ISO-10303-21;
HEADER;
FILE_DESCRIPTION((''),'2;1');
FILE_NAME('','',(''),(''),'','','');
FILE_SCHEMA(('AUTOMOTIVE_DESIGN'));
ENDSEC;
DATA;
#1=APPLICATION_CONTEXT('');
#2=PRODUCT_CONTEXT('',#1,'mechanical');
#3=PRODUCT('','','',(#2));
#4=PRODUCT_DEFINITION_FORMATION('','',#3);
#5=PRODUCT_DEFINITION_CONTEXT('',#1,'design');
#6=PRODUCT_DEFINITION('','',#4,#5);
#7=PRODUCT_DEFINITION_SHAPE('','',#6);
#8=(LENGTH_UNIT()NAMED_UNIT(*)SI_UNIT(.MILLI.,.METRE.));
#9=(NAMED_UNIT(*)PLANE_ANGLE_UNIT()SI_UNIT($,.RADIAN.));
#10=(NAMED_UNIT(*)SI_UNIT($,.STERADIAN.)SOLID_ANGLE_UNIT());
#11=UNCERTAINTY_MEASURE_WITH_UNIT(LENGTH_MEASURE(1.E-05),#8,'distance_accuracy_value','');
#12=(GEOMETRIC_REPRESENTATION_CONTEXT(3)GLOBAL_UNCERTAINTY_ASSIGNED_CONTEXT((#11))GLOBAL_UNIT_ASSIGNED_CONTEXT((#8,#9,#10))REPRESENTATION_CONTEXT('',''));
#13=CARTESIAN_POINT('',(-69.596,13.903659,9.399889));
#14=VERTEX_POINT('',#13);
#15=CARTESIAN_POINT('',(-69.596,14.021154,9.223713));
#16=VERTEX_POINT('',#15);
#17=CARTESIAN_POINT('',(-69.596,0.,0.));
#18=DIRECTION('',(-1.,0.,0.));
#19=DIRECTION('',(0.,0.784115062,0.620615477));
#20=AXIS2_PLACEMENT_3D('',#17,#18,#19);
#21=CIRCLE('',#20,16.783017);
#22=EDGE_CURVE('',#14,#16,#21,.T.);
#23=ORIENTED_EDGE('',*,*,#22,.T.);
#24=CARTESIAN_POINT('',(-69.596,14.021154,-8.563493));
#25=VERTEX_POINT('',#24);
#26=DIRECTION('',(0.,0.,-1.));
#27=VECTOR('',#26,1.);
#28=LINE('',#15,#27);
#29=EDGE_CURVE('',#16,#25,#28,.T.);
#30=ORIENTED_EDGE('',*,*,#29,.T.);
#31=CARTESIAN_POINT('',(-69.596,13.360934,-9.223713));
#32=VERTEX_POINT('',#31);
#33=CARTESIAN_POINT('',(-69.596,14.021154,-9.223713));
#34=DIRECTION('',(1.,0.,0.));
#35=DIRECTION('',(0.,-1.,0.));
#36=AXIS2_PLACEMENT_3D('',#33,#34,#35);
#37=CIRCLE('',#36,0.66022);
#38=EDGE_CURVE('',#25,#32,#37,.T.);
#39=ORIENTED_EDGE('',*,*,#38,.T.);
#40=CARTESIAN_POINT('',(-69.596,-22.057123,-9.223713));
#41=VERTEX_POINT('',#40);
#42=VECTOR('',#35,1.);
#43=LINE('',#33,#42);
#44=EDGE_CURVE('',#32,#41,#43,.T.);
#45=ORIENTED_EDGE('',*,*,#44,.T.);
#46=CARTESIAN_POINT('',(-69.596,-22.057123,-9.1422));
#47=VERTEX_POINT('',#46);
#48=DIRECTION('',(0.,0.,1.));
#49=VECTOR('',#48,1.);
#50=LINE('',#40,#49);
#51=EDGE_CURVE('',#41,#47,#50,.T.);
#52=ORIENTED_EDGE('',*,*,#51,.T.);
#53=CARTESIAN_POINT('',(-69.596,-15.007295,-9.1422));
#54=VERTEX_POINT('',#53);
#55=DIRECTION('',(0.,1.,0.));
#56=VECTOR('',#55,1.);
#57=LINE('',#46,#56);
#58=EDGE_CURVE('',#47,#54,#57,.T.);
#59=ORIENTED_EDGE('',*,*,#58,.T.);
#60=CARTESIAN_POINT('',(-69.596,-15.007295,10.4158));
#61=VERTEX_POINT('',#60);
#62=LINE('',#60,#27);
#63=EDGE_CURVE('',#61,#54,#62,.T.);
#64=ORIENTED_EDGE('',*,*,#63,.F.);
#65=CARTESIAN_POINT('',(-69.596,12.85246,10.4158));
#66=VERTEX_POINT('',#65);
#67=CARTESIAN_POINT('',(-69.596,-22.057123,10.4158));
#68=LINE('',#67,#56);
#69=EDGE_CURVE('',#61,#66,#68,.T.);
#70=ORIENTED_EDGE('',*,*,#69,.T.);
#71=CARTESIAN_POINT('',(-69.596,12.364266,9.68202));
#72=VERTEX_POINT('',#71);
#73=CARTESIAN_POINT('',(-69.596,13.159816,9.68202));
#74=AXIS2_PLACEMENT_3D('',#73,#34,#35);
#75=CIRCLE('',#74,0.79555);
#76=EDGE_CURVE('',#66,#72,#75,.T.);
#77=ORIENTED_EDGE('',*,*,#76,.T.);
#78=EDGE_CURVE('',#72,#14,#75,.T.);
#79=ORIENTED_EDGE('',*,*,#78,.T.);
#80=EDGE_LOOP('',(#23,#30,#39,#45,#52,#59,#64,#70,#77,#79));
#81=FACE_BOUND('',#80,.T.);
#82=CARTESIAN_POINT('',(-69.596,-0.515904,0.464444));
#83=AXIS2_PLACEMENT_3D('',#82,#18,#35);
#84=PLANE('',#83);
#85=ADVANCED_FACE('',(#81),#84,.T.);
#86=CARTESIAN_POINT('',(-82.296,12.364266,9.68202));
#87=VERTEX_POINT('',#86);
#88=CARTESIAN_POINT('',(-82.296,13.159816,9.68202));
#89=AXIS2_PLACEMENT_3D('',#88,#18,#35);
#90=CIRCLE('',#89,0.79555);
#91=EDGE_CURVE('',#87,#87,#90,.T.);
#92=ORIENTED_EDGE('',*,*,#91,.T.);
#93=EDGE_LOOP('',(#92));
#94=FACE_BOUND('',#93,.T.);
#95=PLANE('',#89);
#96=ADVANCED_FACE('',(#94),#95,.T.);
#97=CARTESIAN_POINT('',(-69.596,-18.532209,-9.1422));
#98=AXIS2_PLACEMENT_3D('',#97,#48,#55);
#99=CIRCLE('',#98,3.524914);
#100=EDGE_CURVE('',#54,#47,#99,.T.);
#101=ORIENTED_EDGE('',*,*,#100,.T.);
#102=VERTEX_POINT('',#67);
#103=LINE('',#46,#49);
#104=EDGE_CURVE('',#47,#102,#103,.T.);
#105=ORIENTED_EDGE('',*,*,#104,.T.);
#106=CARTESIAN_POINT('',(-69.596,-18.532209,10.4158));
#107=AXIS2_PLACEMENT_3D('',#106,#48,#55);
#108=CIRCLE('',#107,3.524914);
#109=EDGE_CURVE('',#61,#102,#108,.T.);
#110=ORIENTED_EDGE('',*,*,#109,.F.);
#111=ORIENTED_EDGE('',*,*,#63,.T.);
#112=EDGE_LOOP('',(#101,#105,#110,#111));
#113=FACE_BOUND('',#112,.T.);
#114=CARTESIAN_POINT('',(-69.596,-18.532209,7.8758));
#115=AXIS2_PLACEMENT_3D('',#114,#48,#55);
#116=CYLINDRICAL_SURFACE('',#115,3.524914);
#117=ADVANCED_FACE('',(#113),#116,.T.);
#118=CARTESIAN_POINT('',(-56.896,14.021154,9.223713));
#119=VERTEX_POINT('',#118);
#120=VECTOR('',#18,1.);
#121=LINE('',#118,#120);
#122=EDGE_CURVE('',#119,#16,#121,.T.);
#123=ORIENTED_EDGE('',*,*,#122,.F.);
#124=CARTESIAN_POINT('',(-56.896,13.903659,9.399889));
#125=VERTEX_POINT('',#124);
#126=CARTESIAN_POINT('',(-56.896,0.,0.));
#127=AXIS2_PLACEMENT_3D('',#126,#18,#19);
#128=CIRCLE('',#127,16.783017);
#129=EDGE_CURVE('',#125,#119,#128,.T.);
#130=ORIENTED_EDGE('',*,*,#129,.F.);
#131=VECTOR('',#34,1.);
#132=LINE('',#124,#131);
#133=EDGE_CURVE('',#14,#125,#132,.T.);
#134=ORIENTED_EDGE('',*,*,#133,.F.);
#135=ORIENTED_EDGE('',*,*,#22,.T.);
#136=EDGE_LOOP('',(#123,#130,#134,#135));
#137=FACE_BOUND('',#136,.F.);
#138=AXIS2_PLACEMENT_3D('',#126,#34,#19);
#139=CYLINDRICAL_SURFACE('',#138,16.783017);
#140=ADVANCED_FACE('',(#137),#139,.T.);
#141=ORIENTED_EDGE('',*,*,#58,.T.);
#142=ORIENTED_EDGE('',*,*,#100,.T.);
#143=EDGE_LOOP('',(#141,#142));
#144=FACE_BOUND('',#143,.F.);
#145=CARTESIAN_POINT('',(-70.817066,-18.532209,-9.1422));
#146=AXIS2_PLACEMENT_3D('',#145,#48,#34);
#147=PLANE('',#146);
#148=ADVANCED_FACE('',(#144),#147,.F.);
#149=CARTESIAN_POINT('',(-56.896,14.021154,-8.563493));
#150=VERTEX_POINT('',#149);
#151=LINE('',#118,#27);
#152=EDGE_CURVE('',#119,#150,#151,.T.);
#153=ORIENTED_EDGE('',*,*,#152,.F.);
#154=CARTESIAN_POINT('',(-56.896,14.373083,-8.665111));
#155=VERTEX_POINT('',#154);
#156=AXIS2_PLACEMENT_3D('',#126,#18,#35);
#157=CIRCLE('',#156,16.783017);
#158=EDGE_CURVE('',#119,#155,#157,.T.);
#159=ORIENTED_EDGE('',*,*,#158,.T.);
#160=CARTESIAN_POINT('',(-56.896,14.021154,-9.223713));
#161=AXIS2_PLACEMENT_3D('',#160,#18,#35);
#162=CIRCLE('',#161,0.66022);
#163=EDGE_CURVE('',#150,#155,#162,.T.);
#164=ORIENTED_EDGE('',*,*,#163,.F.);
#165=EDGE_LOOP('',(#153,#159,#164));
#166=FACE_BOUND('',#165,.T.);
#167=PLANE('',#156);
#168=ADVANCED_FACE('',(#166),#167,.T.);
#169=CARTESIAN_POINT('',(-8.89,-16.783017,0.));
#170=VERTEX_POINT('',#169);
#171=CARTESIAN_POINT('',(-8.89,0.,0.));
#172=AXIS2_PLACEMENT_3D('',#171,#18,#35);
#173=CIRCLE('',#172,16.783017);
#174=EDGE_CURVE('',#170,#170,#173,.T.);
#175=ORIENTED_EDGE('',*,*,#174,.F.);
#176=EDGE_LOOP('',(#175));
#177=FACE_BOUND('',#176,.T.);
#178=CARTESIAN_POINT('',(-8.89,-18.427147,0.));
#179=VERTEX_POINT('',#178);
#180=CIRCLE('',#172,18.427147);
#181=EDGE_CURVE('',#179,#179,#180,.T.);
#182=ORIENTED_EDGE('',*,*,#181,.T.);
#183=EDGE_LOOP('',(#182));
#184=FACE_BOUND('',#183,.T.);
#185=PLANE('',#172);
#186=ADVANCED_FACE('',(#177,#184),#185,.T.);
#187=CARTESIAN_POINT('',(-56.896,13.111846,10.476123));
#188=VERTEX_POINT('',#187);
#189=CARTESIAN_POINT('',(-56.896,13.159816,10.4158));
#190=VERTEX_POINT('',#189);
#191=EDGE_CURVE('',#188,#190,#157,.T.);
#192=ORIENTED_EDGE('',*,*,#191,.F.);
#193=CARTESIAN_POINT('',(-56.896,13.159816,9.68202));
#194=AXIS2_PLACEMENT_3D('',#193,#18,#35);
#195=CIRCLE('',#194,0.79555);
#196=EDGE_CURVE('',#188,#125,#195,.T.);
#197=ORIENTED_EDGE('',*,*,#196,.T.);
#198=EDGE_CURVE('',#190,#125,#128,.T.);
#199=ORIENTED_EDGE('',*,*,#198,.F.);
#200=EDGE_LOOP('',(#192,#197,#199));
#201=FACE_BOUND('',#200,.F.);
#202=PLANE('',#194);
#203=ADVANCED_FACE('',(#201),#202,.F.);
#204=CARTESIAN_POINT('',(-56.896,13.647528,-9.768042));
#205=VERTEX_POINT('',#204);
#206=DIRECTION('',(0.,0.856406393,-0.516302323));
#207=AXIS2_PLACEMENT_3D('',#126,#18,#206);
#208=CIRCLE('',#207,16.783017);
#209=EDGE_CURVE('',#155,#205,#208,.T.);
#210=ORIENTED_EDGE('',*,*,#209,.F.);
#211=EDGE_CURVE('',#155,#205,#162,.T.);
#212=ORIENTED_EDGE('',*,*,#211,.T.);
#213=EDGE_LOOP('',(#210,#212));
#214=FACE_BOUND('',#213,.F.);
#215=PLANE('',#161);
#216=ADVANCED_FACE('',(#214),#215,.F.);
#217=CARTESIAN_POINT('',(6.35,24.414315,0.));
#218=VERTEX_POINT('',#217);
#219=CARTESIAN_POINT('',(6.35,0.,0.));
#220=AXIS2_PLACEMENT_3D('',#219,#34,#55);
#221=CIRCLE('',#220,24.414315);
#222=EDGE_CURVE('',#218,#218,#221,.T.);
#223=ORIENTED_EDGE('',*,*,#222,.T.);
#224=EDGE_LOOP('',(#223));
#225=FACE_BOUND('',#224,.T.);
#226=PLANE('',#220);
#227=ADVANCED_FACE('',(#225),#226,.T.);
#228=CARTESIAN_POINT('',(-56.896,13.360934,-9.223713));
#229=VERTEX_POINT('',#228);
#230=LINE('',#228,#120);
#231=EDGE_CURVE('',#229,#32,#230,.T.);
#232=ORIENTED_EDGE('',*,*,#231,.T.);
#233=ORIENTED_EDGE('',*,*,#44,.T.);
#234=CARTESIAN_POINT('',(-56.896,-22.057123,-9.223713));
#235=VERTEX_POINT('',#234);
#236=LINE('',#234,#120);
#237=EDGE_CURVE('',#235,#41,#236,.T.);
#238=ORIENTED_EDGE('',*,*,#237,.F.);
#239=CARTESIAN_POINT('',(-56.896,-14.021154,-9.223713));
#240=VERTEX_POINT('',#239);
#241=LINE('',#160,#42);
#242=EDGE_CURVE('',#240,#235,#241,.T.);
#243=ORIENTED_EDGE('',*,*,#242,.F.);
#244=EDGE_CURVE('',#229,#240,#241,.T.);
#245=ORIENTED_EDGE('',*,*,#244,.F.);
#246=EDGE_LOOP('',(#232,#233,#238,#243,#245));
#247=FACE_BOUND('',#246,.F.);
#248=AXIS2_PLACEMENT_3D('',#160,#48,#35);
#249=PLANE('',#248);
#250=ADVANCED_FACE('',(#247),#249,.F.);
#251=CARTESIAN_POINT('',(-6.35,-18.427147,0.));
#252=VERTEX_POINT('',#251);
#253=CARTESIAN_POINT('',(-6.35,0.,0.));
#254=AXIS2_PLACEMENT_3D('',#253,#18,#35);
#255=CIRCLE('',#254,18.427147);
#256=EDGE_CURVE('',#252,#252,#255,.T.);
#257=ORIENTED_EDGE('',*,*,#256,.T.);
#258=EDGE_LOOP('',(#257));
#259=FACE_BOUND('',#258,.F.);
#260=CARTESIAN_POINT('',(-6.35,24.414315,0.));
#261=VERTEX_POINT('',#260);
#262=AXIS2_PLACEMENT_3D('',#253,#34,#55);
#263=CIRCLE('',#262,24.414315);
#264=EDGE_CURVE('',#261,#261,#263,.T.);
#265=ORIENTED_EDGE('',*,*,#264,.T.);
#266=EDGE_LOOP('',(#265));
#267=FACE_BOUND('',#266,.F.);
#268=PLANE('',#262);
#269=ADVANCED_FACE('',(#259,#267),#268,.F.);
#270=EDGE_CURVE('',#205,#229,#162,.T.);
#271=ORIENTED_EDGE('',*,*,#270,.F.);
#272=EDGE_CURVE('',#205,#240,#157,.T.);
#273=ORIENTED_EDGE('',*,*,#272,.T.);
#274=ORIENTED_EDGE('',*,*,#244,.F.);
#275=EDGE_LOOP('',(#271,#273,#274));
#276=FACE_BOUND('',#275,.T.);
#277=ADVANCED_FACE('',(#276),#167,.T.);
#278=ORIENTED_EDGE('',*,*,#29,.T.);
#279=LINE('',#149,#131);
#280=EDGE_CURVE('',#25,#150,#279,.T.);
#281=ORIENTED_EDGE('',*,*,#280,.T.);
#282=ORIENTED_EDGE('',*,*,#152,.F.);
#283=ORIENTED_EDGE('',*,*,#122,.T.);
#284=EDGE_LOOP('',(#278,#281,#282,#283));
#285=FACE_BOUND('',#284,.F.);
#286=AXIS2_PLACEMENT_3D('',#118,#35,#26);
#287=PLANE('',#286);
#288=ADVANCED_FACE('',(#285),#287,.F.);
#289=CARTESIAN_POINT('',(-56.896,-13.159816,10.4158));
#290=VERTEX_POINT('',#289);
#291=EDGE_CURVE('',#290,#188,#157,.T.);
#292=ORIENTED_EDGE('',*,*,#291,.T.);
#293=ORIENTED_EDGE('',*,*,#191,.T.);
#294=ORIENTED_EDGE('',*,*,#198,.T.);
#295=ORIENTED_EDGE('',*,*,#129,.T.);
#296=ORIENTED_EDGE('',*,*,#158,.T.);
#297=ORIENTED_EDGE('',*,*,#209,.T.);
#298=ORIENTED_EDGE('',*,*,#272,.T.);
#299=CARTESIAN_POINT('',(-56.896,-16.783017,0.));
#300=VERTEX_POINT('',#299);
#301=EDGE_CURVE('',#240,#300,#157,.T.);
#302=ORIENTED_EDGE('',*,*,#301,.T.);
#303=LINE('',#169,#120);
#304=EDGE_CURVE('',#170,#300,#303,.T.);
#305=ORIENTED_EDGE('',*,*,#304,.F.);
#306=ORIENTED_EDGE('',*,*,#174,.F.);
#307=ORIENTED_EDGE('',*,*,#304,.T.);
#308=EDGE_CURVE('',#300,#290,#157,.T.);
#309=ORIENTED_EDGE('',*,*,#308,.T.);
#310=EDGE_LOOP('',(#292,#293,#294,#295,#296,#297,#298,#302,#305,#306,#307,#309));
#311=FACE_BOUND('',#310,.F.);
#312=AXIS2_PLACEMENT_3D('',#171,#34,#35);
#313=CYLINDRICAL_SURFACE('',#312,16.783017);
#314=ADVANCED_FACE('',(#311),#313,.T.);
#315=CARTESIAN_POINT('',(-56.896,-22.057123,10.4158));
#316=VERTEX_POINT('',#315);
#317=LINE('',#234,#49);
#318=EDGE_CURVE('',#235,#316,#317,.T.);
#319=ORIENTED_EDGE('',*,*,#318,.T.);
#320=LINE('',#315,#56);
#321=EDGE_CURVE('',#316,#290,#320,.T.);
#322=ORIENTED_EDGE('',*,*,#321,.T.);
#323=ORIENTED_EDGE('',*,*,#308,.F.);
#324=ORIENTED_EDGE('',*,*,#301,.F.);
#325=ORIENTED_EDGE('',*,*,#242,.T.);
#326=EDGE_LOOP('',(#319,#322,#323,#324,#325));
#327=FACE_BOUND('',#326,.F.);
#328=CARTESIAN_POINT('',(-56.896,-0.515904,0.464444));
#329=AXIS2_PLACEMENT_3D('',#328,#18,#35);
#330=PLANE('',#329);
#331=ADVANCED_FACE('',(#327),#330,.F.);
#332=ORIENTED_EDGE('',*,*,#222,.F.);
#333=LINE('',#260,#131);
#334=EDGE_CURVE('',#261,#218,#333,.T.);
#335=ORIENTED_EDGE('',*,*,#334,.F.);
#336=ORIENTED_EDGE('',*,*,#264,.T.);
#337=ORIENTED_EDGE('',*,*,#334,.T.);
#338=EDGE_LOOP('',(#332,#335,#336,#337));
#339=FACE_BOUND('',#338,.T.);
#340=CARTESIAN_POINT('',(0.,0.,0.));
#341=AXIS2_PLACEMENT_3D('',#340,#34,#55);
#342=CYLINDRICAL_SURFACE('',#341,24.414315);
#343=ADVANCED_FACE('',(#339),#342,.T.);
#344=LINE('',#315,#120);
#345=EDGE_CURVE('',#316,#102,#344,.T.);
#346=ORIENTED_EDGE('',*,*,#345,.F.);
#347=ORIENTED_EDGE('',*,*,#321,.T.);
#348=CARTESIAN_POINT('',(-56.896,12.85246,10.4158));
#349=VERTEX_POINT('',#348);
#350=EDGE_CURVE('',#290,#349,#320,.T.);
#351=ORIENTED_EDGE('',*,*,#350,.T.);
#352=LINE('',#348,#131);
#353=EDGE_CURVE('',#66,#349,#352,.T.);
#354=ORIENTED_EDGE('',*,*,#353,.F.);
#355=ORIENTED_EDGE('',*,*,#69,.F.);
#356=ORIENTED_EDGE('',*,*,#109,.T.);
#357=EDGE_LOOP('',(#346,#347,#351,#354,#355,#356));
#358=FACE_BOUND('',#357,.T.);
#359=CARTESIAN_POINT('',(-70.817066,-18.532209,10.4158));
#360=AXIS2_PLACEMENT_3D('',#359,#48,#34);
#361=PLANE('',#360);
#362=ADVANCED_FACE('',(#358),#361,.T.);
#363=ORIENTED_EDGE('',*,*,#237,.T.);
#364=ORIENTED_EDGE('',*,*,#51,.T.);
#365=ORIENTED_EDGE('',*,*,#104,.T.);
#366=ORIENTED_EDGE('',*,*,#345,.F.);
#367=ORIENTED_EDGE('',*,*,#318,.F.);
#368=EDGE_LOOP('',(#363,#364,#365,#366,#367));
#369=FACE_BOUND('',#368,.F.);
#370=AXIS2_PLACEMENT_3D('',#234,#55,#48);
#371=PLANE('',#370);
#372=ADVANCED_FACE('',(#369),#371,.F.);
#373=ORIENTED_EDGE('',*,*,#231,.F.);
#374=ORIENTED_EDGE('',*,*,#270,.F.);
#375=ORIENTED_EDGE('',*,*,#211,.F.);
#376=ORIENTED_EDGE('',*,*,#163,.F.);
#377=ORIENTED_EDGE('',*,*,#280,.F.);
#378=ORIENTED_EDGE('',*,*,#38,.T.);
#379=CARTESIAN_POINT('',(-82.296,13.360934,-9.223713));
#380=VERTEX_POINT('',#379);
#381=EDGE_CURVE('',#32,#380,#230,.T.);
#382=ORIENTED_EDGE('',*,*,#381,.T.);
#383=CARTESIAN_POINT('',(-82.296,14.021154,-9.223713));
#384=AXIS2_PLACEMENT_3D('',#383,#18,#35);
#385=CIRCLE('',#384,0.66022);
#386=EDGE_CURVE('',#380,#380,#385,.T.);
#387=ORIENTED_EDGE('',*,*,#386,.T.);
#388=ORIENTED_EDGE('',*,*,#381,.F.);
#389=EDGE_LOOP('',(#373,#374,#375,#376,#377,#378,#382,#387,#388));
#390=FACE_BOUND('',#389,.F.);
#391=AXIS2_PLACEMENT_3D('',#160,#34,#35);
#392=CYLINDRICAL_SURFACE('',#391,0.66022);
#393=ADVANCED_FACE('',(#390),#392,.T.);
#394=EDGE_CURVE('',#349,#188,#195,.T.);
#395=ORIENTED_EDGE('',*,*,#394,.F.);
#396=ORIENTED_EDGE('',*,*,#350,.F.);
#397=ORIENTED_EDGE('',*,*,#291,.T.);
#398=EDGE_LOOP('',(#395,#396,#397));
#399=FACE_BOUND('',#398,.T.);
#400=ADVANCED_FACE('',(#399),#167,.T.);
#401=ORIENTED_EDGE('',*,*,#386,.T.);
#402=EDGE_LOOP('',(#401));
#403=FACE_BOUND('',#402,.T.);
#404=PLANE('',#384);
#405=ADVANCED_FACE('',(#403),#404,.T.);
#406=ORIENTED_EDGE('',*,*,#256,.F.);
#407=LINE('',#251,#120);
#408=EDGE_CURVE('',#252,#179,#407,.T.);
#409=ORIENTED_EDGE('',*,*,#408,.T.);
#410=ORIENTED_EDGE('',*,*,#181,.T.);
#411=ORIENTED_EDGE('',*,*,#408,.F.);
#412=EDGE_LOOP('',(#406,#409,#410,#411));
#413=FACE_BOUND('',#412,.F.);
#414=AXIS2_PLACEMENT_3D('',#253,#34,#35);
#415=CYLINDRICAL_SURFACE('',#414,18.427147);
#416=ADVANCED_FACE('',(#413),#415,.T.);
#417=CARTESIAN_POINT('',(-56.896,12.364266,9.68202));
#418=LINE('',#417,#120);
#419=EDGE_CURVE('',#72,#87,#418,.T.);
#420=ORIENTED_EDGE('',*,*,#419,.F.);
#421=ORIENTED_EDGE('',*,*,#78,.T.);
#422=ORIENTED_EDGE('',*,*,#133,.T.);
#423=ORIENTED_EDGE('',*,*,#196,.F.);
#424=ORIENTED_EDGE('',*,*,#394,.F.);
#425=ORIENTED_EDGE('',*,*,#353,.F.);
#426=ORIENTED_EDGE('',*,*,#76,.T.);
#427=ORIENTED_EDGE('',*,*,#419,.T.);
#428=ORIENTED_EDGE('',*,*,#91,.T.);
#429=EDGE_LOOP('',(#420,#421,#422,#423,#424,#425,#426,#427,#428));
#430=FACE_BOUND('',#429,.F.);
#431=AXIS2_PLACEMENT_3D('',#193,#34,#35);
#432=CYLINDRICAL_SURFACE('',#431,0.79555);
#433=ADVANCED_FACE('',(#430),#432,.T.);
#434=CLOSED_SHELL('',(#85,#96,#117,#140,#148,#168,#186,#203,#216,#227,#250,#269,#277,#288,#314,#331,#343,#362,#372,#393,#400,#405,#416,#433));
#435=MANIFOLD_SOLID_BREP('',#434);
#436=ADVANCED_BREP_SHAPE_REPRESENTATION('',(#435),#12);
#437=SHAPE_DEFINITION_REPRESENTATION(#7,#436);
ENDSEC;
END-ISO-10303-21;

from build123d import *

# Parameters (mm, degrees)
F0_R      = 24.4143154864
F1_DEPTH  = 6.35
F2_R      = 18.4271469793
F3_DEPTH  = 2.54
F4_R      = 16.7830167103
F4_R_2    = 11.3536850354
F5_DEPTH  = 48.006
F7_DEPTH  = 12.7
F9_R      = 0.7955502835
F10_DEPTH = 25.4
F11_R     = 0.6602201081
F12_DEPTH = 25.4
F14_DEPTH = 2.54
F16_DEPTH = 17.018


with BuildPart() as f1:
    # F0 (on Right) → F1 (new body, symmetric)
    with BuildSketch(Plane.YZ):
        Circle(F0_R)
    extrude(amount=F1_DEPTH, both=True)

    # F2 (on face) → F3 (join)
    with BuildSketch(Plane(origin=(-6.35, 0, 0), x_dir=(0, -1, 0), z_dir=(-1, 0, 0))):
        Circle(F2_R)
    extrude(amount=F3_DEPTH)

    # F4 (on face) → F5 (join)
    with BuildSketch(Plane(origin=(-8.89, 0, 0), x_dir=(0, -1, 0), z_dir=(-1, 0, 0))):
        Circle(F4_R)
        Circle(F4_R_2, mode=Mode.SUBTRACT)
        Circle(F4_R_2)
    extrude(amount=F5_DEPTH)

    # F6 (on face) → F7 (join)
    with BuildSketch(Plane(origin=(-56.896, 0, 0), x_dir=(0, -1, 0), z_dir=(-1, 0, 0))):
        with BuildLine():
            Line((-14.0211542356, 9.2237131244), (-14.0211542356, -9.2237131244))
            Line((-14.0211542356, -9.2237131244), (14.0211542356, -9.2237131244))
            ThreePointArc((14.0211542356, -9.2237131244), (16.0777317389, -4.814165767), (16.7830167103, 0))
            ThreePointArc((16.7830167103, 0), (15.8513574313, 5.5139928803), (13.1598161847, 10.4157999158))
            Line((13.1598161847, 10.4157999158), (-13.1598161847, 10.4157999158))
            ThreePointArc((-13.1598161847, 10.4157999158), (-13.6035493889, 9.8291959958), (-14.0211542356, 9.2237131244))
        make_face()
        with BuildLine():
            ThreePointArc((16.7830167103, 0), (16.0777317389, -4.814165767), (14.0211542356, -9.2237131244))
            Line((14.0211542356, -9.2237131244), (22.0571234822, -9.2237131244))
            Line((22.0571234822, -9.2237131244), (22.0571234822, 10.4157999158))
            Line((22.0571234822, 10.4157999158), (13.1598161847, 10.4157999158))
            ThreePointArc((13.1598161847, 10.4157999158), (15.8513574313, 5.5139928803), (16.7830167103, 0))
        make_face()
    extrude(amount=F7_DEPTH)

    # F9 (on face) → F10 (join)
    with BuildSketch(Plane(origin=(-56.896, 0, 0), x_dir=(0, -1, 0), z_dir=(-1, 0, 0))):
        with Locations((-13.1598161847, 9.6820201725)):
            Circle(F9_R)
    extrude(amount=F10_DEPTH)

    # F11 (on face) → F12 (join)
    with BuildSketch(Plane(origin=(-56.896, 0, 0), x_dir=(0, -1, 0), z_dir=(-1, 0, 0))):
        with Locations((-14.0211542356, -9.2237131244)):
            Circle(F11_R)
    extrude(amount=F12_DEPTH)

    # F13 (on face) → F14 (join)
    with BuildSketch(Plane.XY.offset(10.4157999158)):
        with BuildLine():
            Line((-69.596, -22.0571234822), (-69.596, -15.0072947145))
            ThreePointArc((-69.596, -15.0072947145), (-73.1209143839, -18.5322090983), (-69.596, -22.0571234822))
        make_face()
    extrude(amount=-F14_DEPTH)

    # F16 (add): a face of the model
    f16_faces = [f1.faces().sort_by_distance(p)[0] for p in [
        (-71.0920201285, -18.5322090983, 7.8757999158),
    ]]
    extrude(f16_faces, amount=F16_DEPTH)


solid = f1.part
